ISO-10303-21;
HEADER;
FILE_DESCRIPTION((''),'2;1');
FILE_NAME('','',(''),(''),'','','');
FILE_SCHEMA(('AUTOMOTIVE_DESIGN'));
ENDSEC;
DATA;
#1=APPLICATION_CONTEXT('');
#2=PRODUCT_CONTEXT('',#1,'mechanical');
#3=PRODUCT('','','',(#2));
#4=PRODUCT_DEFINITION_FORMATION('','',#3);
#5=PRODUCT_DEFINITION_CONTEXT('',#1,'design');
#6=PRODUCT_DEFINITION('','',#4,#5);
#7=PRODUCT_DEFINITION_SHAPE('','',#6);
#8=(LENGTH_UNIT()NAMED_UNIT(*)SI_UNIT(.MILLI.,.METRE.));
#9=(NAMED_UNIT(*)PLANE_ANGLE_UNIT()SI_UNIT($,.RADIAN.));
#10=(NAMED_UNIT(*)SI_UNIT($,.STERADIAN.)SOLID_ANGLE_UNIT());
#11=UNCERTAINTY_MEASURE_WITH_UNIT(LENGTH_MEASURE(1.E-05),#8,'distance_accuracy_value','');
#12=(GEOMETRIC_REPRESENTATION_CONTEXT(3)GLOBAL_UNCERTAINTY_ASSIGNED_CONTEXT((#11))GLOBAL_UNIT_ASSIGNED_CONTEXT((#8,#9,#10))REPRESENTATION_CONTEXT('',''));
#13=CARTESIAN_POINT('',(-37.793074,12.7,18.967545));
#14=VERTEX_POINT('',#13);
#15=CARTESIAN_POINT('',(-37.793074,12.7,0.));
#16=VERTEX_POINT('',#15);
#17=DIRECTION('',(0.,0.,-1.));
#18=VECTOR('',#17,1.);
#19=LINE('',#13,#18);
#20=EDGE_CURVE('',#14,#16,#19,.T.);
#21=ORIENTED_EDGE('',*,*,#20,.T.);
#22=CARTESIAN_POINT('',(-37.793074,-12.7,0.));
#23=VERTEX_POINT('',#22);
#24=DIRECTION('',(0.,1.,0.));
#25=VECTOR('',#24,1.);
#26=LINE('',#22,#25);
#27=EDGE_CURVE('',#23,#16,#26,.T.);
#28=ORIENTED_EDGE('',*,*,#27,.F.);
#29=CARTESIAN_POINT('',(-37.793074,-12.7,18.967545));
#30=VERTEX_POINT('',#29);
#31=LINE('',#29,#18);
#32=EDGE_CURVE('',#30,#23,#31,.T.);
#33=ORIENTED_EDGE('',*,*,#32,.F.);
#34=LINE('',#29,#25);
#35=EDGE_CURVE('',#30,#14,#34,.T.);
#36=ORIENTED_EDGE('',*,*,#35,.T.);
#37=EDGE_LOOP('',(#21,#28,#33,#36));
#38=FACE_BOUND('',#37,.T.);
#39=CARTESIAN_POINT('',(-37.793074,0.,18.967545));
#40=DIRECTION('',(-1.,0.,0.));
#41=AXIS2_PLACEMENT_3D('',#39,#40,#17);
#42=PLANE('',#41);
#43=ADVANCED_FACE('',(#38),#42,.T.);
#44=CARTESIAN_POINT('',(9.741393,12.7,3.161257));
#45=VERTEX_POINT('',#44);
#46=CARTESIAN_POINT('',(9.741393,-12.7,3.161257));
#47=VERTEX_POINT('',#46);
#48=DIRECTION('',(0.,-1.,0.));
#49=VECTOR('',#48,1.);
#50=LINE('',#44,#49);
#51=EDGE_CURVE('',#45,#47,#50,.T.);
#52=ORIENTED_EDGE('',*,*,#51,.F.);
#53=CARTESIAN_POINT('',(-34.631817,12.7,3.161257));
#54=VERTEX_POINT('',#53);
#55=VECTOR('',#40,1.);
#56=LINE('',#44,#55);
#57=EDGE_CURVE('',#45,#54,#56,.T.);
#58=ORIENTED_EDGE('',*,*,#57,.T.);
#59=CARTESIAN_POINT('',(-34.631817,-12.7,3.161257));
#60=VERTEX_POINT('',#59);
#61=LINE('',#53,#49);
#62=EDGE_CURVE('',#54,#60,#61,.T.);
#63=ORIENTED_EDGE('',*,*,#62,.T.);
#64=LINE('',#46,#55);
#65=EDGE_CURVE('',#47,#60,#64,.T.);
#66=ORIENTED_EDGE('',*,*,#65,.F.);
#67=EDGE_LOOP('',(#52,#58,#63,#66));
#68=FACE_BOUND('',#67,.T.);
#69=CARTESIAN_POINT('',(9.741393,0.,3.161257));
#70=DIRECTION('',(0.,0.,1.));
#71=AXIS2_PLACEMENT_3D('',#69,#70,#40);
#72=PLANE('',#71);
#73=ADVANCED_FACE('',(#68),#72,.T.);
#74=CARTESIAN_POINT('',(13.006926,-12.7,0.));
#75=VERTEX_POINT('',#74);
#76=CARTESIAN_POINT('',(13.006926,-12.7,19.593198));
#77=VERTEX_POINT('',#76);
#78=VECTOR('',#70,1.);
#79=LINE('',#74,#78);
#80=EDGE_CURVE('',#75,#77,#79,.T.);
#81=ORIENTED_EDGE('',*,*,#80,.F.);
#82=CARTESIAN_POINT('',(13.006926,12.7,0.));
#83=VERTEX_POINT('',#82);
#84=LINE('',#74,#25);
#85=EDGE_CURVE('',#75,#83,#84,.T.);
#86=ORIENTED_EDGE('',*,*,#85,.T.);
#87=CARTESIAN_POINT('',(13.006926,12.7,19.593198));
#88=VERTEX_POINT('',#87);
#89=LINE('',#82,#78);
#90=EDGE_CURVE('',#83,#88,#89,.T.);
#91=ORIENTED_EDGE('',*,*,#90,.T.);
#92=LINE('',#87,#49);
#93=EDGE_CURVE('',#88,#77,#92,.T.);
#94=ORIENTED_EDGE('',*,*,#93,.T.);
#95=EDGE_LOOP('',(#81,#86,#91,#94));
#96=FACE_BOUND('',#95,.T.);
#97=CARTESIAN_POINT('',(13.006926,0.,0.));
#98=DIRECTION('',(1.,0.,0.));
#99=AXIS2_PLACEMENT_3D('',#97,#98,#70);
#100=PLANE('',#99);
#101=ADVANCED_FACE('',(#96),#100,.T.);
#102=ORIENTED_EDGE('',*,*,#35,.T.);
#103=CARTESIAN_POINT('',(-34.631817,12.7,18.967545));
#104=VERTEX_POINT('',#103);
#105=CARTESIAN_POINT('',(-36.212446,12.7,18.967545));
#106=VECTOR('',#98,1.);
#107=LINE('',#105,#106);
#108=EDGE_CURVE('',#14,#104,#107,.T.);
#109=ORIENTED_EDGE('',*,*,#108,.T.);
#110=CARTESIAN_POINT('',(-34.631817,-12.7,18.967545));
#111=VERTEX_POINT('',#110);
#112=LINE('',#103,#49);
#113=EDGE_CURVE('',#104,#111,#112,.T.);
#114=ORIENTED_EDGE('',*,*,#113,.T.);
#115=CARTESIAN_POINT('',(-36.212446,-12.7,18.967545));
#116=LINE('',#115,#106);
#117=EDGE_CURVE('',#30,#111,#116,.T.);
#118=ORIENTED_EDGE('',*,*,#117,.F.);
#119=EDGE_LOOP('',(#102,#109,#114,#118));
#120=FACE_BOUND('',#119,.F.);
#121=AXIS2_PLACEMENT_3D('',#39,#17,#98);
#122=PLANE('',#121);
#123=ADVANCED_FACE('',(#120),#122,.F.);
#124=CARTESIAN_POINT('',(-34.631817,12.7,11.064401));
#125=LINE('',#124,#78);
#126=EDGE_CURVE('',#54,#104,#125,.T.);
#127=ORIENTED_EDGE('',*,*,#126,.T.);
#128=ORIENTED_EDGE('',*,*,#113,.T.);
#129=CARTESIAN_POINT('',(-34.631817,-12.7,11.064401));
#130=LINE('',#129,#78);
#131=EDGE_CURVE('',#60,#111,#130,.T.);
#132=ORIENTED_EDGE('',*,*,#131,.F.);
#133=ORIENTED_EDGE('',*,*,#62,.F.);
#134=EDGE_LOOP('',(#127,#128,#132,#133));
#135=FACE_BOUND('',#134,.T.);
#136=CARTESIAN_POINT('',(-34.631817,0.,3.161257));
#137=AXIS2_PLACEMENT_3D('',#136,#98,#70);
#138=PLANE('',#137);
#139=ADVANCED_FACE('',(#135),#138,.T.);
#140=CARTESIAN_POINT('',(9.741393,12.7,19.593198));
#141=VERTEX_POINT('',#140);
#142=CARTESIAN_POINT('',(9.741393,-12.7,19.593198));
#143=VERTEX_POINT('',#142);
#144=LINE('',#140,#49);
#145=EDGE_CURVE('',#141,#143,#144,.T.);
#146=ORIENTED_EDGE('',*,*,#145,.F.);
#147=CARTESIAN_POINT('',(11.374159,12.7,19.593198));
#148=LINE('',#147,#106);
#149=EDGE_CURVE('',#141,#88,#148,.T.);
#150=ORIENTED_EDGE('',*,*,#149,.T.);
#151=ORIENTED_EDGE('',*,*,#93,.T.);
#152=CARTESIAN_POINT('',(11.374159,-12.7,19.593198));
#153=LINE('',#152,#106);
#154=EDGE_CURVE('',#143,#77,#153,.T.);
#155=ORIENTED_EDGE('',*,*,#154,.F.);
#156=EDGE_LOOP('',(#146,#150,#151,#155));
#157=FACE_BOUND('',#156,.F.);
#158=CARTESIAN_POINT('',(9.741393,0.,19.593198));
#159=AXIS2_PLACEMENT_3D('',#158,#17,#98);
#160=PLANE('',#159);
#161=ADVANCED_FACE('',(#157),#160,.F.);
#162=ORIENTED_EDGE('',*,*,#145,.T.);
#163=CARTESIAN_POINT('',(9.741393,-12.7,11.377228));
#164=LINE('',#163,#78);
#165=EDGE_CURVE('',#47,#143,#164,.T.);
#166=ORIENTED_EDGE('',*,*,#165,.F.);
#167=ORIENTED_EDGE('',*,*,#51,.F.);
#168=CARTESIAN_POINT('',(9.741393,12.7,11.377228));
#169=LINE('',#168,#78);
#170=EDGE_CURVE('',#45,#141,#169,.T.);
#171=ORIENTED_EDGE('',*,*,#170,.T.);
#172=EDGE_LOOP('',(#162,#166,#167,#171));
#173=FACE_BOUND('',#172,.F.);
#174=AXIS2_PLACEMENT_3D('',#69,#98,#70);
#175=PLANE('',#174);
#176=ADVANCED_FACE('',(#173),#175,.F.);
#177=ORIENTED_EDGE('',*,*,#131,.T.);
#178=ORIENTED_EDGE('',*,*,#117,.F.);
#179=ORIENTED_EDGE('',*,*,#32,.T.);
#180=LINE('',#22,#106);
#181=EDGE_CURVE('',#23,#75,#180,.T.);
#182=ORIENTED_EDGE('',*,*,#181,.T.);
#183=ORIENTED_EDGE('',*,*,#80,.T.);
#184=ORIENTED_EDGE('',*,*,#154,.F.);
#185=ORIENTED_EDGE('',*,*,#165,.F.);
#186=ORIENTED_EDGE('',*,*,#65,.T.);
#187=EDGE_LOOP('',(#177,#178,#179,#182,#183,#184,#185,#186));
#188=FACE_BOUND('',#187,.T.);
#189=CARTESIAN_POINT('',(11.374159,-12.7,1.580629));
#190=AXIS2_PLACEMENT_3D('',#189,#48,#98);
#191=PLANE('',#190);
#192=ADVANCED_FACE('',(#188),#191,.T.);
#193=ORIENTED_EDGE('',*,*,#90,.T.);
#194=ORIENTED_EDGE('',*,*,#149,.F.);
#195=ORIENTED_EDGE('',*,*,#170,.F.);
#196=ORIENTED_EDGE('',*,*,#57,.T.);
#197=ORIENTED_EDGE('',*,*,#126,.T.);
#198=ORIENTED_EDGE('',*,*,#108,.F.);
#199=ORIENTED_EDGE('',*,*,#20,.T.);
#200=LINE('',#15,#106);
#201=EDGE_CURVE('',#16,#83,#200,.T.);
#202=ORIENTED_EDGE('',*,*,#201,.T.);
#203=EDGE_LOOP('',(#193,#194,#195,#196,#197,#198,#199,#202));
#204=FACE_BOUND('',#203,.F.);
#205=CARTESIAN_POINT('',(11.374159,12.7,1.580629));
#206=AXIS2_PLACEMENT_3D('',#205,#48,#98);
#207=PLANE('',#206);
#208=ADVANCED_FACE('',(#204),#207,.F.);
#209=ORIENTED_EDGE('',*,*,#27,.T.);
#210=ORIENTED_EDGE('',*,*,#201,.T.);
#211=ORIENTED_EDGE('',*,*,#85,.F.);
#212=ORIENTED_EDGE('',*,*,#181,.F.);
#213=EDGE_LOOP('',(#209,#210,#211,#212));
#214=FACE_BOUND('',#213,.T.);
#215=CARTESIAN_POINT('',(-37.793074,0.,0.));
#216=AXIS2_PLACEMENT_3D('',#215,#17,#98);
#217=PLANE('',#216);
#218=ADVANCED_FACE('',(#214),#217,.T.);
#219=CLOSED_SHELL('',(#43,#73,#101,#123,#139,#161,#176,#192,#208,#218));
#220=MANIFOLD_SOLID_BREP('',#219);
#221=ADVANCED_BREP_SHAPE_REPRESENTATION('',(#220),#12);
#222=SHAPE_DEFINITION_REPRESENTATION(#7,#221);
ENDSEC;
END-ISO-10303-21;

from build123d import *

# Parameters (mm, degrees)
F0_W     = 3.2655329616
F0_H     = 3.1612574508
F0_W_2   = 44.3732095876
F0_H_2   = 16.4319403187
F0_W_3   = 3.1612574508
F0_H_3   = 15.8062872542
F1_DEPTH = 12.7


with BuildPart() as f1:
    # F0 (on Front) → F1 (new body, symmetric)
    with BuildSketch(Plane.XZ):
        with Locations((11.3741590677, 1.5806287254)):
            Rectangle(F0_W, F0_H)
        with Locations((-12.4452122069, 1.5806287254)):
            Rectangle(F0_W_2, F0_H)
        with Locations((11.3741590677, 11.3772276102)):
            Rectangle(F0_W, F0_H_2)
        with Locations((-36.2124457261, 1.5806287254)):
            Rectangle(F0_W_3, F0_H)
        with Locations((-36.2124457261, 11.0644010779)):
            Rectangle(F0_W_3, F0_H_3)
    extrude(amount=F1_DEPTH, both=True)


solid = f1.part
